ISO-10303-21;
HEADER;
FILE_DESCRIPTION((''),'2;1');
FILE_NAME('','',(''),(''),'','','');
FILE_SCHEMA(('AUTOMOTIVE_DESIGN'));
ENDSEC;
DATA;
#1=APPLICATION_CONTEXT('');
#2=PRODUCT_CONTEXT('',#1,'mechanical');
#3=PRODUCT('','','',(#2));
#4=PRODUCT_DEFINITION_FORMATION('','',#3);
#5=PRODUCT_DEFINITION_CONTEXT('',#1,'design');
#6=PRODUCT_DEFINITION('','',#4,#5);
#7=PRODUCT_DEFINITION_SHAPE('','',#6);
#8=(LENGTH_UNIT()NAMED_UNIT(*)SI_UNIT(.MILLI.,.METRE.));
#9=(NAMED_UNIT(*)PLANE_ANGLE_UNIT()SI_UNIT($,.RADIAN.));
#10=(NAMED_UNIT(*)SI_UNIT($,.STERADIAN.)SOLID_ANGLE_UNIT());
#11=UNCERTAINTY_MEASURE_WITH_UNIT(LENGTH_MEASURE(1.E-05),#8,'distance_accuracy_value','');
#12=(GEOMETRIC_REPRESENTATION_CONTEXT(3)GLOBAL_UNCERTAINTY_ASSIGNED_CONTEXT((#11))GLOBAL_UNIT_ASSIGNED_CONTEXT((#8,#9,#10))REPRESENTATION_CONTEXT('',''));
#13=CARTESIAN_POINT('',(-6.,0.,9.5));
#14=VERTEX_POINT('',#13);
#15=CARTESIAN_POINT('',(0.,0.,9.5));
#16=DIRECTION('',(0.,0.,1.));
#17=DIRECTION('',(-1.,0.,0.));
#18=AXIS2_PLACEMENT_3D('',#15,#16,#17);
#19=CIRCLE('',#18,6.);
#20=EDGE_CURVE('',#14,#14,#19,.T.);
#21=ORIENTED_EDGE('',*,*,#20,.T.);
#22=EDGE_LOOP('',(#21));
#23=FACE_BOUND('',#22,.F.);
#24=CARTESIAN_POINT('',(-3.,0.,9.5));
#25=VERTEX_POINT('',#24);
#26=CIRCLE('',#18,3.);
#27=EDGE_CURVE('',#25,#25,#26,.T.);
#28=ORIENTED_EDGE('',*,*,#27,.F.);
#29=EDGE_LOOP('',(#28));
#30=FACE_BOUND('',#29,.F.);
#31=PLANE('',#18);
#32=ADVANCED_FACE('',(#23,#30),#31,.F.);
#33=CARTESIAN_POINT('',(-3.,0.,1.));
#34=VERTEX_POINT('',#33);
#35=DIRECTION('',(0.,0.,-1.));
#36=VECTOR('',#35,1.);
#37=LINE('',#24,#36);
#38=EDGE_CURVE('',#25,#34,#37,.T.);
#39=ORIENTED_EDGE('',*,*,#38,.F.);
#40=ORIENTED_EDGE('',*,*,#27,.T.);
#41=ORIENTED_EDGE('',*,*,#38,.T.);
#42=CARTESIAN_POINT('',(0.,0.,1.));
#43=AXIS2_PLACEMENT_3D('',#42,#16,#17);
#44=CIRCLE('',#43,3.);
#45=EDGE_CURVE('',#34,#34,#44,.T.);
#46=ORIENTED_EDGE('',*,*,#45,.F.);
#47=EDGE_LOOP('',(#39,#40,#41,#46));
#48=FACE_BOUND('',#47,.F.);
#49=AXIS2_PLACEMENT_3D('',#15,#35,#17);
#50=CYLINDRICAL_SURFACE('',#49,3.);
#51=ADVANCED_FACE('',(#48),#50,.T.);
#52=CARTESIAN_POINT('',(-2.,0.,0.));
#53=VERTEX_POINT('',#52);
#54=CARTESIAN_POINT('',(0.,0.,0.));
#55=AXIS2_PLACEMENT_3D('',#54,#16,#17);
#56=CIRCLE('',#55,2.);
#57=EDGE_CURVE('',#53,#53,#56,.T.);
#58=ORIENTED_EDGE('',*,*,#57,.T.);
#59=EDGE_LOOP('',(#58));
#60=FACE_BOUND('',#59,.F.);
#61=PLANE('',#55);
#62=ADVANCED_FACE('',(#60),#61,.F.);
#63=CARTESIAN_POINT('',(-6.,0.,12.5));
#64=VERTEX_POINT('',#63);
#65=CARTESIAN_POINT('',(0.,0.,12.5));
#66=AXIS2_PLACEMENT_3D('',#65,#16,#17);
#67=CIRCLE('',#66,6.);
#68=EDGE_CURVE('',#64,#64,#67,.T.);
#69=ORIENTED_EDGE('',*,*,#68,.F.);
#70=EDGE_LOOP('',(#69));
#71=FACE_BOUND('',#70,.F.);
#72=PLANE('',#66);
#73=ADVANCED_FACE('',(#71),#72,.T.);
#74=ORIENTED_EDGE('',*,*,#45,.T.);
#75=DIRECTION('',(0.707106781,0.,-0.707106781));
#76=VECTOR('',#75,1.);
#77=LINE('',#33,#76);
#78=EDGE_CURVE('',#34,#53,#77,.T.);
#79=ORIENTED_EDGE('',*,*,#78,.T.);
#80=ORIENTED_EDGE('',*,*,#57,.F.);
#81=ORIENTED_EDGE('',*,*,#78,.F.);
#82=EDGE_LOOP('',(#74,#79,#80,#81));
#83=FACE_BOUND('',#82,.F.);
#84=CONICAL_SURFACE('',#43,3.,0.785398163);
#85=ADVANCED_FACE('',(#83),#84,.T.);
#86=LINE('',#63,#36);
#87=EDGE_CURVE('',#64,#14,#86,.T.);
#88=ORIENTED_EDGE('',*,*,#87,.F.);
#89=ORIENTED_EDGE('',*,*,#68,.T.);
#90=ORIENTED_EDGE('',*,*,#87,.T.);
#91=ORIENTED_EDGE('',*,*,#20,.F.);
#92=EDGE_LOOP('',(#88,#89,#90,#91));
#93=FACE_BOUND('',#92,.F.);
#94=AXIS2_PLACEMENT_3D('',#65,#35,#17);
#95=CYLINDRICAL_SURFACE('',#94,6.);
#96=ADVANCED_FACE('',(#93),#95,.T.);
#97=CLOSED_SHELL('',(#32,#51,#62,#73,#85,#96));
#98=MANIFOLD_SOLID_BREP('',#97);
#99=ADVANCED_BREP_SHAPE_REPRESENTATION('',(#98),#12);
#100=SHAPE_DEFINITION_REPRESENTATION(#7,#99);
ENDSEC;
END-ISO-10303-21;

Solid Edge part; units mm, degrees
sketch "Sketch1" plane through (0, 0, 0) normal (0, -1, 0) x (1, 0, 0)
  line L0 (0, 12.5) -> (-6, 12.5)
  line L1 (-6, 12.5) -> (-6, 9.5)
  line L2 (-6, 9.5) -> (-3, 9.5)
  line L3 (-3, 9.5) -> (-3, 1)
  line L4 (-3, 1) -> (-2, 0)
  line L5 (-2, 0) -> (0, 0)
  dimension "D1" = 9.5
  dimension "D2" = 3
revolve "RevolvedProtrusion1" add sketch "Sketch1" angle 360 about axis through (0, 0, 0) along (0, 0, 1)
